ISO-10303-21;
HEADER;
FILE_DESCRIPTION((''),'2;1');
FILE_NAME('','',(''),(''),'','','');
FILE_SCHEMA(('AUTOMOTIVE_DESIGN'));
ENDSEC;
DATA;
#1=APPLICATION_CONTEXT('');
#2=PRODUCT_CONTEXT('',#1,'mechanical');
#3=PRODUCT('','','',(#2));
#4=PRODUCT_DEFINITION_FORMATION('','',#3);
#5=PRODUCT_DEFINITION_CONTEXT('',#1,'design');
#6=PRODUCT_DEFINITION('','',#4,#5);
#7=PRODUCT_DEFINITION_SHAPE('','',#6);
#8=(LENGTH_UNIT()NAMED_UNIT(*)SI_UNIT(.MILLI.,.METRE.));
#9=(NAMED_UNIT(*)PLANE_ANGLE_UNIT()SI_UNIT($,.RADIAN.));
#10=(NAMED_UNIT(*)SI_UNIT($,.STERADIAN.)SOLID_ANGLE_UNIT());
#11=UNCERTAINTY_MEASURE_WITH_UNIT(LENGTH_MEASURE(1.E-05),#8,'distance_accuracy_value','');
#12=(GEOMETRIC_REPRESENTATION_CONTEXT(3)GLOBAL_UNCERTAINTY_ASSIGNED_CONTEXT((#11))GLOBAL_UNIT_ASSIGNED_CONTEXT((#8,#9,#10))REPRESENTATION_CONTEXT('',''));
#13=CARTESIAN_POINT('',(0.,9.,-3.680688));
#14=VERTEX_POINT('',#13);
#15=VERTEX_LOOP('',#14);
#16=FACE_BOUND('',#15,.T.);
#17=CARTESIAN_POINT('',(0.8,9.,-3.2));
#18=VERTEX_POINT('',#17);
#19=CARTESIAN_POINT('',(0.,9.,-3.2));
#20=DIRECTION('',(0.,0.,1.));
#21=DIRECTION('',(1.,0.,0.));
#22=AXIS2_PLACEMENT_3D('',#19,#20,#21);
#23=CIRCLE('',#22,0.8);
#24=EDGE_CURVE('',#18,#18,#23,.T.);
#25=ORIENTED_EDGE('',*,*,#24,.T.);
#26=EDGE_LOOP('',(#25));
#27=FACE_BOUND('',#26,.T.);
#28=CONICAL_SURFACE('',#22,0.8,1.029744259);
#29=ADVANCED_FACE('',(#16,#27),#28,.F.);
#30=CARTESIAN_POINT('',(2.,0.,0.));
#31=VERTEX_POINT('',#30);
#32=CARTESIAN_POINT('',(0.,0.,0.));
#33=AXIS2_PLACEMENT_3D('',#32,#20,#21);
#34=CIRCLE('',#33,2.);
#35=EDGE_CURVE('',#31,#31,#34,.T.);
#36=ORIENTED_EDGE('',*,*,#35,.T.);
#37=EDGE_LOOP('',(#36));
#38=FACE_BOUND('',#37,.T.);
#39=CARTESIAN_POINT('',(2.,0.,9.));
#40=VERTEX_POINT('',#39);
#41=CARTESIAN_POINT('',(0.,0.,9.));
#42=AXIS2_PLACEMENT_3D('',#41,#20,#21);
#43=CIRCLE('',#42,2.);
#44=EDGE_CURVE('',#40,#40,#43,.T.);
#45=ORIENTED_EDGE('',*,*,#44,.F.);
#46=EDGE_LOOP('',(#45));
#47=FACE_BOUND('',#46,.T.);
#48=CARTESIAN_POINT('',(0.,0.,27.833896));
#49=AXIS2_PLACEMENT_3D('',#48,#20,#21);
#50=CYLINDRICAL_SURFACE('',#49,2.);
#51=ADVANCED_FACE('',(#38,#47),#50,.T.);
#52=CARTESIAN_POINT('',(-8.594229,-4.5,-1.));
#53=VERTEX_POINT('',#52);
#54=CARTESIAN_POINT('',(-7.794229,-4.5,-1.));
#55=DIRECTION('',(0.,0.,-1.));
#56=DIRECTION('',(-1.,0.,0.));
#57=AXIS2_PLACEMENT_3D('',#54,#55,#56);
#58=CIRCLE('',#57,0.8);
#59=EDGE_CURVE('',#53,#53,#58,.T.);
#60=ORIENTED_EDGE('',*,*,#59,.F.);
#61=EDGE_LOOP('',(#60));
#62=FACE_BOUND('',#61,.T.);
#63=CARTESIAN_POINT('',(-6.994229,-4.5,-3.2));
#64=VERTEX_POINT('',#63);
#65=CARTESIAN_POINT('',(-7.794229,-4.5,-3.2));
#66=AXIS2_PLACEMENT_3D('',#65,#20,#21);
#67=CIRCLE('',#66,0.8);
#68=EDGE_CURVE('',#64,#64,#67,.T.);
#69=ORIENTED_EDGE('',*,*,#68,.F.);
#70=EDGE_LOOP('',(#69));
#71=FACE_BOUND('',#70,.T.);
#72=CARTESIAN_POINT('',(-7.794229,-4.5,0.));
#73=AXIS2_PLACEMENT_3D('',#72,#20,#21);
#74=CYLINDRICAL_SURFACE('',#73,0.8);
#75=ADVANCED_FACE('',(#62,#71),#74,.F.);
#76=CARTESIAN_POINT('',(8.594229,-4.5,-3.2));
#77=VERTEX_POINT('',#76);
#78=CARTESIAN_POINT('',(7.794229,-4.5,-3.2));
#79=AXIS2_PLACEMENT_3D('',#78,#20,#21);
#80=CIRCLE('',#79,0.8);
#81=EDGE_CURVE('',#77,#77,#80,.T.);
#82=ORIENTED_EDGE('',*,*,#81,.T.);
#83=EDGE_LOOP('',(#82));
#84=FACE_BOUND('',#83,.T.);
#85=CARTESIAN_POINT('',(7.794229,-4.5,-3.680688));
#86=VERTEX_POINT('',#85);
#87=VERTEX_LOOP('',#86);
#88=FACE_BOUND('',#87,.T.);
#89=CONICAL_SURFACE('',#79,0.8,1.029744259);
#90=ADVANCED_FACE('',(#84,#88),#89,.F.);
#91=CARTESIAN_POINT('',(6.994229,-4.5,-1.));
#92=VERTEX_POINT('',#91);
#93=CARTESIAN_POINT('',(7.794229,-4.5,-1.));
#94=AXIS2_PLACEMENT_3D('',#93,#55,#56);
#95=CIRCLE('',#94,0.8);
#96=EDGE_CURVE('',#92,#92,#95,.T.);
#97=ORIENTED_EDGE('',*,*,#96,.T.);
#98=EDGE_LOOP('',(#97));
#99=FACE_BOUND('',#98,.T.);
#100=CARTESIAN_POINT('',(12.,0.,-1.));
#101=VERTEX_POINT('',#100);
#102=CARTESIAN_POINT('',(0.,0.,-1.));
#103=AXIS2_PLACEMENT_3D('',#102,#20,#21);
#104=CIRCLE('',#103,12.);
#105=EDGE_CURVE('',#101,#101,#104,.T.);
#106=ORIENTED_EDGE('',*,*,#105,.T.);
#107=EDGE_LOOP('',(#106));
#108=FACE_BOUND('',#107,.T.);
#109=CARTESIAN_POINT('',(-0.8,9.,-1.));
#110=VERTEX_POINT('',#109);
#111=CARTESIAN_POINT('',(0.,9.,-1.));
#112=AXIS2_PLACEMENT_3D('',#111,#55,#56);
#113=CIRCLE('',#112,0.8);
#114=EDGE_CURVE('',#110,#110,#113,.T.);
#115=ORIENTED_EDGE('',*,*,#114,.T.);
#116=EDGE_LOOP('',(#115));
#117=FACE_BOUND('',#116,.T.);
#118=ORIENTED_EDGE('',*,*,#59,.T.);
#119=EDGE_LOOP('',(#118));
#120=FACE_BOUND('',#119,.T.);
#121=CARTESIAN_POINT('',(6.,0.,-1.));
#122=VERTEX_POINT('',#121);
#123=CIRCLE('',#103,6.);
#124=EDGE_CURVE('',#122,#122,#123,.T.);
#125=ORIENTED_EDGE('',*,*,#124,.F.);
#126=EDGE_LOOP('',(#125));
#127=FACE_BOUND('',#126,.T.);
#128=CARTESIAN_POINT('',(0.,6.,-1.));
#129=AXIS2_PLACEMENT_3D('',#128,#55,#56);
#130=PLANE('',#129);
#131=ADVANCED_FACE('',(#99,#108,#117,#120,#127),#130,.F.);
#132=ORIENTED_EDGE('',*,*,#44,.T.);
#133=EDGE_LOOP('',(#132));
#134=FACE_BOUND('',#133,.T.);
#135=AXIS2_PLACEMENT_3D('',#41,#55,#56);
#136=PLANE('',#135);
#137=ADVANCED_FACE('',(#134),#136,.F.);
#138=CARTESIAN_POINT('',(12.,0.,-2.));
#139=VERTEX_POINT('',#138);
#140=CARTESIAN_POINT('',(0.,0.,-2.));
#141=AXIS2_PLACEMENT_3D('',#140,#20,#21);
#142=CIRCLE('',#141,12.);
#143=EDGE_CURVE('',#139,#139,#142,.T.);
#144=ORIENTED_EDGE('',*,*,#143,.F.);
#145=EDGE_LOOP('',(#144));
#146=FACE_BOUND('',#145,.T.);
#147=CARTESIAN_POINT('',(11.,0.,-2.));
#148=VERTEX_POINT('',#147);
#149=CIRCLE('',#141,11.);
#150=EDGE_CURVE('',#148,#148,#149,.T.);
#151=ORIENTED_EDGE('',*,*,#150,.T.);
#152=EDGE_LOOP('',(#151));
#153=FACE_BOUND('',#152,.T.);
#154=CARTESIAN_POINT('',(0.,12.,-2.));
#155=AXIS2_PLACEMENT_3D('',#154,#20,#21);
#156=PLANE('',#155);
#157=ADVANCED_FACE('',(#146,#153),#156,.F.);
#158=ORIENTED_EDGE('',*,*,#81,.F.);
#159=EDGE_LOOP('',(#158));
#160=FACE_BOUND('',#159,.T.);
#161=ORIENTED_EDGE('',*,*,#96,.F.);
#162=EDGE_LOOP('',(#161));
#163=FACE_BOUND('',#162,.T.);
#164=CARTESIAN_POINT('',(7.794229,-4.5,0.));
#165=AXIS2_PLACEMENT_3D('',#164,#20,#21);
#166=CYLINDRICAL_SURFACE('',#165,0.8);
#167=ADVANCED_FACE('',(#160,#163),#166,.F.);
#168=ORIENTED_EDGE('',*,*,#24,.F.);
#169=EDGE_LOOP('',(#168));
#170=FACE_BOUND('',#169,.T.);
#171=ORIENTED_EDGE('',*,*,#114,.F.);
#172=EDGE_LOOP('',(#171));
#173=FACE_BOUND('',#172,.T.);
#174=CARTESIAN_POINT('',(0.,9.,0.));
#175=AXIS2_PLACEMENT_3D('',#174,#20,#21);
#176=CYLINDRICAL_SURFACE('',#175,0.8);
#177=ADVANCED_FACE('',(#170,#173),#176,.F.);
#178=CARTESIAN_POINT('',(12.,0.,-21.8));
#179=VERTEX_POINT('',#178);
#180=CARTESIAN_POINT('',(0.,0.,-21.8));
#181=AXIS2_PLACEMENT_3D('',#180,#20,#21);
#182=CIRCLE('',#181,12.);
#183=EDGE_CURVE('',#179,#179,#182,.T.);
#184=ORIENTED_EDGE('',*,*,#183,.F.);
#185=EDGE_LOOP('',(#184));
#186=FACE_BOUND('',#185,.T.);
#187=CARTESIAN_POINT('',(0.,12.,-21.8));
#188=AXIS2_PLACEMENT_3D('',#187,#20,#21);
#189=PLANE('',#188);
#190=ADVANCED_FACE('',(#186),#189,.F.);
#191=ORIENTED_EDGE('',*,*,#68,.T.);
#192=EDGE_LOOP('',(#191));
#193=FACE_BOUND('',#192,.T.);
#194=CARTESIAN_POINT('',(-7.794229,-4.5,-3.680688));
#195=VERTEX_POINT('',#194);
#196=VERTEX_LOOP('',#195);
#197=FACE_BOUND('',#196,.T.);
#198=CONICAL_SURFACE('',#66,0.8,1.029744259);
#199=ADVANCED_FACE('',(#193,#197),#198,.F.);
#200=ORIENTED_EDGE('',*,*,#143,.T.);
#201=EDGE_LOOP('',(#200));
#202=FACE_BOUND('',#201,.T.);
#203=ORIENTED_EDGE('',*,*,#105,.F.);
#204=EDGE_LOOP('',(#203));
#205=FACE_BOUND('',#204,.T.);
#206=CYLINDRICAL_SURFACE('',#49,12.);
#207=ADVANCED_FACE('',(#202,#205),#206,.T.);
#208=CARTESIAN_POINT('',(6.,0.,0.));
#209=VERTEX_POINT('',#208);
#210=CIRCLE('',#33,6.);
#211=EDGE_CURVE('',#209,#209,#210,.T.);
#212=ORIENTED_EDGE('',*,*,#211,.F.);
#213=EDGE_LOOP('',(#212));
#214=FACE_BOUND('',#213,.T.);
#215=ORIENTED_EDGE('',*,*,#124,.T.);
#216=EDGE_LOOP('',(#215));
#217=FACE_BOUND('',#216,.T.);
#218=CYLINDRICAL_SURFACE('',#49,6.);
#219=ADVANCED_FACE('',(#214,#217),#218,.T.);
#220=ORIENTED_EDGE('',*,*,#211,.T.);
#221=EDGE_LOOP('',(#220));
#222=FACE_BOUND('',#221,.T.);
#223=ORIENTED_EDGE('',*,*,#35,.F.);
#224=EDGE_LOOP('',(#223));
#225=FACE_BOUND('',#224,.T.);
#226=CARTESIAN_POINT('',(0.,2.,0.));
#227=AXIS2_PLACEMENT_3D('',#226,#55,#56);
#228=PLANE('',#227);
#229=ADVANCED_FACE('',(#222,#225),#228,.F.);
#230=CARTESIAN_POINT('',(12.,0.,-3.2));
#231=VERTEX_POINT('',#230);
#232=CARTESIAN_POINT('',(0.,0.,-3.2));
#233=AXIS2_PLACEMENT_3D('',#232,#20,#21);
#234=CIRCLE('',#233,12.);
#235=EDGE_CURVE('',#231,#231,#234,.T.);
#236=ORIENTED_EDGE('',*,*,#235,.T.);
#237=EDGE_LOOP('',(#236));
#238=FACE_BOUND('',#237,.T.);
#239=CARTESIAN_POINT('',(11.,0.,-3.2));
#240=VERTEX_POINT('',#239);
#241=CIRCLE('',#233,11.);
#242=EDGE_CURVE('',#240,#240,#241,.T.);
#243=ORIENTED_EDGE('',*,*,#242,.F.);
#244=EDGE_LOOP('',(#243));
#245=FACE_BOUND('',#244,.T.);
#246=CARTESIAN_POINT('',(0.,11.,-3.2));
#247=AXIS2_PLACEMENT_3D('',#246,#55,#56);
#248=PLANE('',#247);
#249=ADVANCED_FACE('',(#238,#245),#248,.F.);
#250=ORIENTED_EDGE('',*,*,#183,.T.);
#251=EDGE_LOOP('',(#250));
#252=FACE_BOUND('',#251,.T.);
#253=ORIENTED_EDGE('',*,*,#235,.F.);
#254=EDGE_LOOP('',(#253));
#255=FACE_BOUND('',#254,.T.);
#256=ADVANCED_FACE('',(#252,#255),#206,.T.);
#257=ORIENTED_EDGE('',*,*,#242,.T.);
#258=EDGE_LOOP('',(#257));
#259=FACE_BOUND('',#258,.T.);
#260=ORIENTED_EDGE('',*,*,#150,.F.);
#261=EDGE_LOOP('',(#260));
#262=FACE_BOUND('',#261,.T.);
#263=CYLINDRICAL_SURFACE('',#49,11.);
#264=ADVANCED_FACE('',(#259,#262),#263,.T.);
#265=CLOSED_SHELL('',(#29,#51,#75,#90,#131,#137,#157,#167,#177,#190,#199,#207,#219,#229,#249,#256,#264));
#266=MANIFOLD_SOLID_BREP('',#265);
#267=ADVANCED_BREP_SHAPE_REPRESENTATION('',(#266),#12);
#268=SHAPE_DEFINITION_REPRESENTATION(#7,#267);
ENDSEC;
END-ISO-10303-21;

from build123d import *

# Parameters (mm, degrees)
TROU_TARAUD_M2X0_41_D     = 1.6
TROU_TARAUD_M2X0_41_DEPTH = 3.2
TROU_TARAUD_M2X0_41_TIP   = 0.480688495


with BuildPart() as part:
    # Esquisse1 → Révolution1 (revolve)
    with BuildSketch(Plane(origin=(0, 0, 0), x_dir=(0, 0, -1), z_dir=(1, 0, 0))):
        Polygon((-9, 0), (-9, 2), (0, 2), (0, 6), (1, 6), (1, 12), (2, 12), (2, 11), (3.2, 11), (3.2, 12), (21.8, 12), (21.8, 0), align=None)
    revolve(axis=Axis((0, 0, 27.833895637), (0, 0, -1)))

    # Trou taraudé M2x0.41
    with Locations(Plane.XY):
        with Locations((-7.794228634, -4.5), (7.794228634, -4.5), (0, 9)):
            Hole(TROU_TARAUD_M2X0_41_D / 2, depth=TROU_TARAUD_M2X0_41_DEPTH)
            with Locations((0, 0, -(TROU_TARAUD_M2X0_41_DEPTH + TROU_TARAUD_M2X0_41_TIP / 2))):  # 118° drill point
                Cone(0, TROU_TARAUD_M2X0_41_D / 2, TROU_TARAUD_M2X0_41_TIP, mode=Mode.SUBTRACT)


solid = part.part
